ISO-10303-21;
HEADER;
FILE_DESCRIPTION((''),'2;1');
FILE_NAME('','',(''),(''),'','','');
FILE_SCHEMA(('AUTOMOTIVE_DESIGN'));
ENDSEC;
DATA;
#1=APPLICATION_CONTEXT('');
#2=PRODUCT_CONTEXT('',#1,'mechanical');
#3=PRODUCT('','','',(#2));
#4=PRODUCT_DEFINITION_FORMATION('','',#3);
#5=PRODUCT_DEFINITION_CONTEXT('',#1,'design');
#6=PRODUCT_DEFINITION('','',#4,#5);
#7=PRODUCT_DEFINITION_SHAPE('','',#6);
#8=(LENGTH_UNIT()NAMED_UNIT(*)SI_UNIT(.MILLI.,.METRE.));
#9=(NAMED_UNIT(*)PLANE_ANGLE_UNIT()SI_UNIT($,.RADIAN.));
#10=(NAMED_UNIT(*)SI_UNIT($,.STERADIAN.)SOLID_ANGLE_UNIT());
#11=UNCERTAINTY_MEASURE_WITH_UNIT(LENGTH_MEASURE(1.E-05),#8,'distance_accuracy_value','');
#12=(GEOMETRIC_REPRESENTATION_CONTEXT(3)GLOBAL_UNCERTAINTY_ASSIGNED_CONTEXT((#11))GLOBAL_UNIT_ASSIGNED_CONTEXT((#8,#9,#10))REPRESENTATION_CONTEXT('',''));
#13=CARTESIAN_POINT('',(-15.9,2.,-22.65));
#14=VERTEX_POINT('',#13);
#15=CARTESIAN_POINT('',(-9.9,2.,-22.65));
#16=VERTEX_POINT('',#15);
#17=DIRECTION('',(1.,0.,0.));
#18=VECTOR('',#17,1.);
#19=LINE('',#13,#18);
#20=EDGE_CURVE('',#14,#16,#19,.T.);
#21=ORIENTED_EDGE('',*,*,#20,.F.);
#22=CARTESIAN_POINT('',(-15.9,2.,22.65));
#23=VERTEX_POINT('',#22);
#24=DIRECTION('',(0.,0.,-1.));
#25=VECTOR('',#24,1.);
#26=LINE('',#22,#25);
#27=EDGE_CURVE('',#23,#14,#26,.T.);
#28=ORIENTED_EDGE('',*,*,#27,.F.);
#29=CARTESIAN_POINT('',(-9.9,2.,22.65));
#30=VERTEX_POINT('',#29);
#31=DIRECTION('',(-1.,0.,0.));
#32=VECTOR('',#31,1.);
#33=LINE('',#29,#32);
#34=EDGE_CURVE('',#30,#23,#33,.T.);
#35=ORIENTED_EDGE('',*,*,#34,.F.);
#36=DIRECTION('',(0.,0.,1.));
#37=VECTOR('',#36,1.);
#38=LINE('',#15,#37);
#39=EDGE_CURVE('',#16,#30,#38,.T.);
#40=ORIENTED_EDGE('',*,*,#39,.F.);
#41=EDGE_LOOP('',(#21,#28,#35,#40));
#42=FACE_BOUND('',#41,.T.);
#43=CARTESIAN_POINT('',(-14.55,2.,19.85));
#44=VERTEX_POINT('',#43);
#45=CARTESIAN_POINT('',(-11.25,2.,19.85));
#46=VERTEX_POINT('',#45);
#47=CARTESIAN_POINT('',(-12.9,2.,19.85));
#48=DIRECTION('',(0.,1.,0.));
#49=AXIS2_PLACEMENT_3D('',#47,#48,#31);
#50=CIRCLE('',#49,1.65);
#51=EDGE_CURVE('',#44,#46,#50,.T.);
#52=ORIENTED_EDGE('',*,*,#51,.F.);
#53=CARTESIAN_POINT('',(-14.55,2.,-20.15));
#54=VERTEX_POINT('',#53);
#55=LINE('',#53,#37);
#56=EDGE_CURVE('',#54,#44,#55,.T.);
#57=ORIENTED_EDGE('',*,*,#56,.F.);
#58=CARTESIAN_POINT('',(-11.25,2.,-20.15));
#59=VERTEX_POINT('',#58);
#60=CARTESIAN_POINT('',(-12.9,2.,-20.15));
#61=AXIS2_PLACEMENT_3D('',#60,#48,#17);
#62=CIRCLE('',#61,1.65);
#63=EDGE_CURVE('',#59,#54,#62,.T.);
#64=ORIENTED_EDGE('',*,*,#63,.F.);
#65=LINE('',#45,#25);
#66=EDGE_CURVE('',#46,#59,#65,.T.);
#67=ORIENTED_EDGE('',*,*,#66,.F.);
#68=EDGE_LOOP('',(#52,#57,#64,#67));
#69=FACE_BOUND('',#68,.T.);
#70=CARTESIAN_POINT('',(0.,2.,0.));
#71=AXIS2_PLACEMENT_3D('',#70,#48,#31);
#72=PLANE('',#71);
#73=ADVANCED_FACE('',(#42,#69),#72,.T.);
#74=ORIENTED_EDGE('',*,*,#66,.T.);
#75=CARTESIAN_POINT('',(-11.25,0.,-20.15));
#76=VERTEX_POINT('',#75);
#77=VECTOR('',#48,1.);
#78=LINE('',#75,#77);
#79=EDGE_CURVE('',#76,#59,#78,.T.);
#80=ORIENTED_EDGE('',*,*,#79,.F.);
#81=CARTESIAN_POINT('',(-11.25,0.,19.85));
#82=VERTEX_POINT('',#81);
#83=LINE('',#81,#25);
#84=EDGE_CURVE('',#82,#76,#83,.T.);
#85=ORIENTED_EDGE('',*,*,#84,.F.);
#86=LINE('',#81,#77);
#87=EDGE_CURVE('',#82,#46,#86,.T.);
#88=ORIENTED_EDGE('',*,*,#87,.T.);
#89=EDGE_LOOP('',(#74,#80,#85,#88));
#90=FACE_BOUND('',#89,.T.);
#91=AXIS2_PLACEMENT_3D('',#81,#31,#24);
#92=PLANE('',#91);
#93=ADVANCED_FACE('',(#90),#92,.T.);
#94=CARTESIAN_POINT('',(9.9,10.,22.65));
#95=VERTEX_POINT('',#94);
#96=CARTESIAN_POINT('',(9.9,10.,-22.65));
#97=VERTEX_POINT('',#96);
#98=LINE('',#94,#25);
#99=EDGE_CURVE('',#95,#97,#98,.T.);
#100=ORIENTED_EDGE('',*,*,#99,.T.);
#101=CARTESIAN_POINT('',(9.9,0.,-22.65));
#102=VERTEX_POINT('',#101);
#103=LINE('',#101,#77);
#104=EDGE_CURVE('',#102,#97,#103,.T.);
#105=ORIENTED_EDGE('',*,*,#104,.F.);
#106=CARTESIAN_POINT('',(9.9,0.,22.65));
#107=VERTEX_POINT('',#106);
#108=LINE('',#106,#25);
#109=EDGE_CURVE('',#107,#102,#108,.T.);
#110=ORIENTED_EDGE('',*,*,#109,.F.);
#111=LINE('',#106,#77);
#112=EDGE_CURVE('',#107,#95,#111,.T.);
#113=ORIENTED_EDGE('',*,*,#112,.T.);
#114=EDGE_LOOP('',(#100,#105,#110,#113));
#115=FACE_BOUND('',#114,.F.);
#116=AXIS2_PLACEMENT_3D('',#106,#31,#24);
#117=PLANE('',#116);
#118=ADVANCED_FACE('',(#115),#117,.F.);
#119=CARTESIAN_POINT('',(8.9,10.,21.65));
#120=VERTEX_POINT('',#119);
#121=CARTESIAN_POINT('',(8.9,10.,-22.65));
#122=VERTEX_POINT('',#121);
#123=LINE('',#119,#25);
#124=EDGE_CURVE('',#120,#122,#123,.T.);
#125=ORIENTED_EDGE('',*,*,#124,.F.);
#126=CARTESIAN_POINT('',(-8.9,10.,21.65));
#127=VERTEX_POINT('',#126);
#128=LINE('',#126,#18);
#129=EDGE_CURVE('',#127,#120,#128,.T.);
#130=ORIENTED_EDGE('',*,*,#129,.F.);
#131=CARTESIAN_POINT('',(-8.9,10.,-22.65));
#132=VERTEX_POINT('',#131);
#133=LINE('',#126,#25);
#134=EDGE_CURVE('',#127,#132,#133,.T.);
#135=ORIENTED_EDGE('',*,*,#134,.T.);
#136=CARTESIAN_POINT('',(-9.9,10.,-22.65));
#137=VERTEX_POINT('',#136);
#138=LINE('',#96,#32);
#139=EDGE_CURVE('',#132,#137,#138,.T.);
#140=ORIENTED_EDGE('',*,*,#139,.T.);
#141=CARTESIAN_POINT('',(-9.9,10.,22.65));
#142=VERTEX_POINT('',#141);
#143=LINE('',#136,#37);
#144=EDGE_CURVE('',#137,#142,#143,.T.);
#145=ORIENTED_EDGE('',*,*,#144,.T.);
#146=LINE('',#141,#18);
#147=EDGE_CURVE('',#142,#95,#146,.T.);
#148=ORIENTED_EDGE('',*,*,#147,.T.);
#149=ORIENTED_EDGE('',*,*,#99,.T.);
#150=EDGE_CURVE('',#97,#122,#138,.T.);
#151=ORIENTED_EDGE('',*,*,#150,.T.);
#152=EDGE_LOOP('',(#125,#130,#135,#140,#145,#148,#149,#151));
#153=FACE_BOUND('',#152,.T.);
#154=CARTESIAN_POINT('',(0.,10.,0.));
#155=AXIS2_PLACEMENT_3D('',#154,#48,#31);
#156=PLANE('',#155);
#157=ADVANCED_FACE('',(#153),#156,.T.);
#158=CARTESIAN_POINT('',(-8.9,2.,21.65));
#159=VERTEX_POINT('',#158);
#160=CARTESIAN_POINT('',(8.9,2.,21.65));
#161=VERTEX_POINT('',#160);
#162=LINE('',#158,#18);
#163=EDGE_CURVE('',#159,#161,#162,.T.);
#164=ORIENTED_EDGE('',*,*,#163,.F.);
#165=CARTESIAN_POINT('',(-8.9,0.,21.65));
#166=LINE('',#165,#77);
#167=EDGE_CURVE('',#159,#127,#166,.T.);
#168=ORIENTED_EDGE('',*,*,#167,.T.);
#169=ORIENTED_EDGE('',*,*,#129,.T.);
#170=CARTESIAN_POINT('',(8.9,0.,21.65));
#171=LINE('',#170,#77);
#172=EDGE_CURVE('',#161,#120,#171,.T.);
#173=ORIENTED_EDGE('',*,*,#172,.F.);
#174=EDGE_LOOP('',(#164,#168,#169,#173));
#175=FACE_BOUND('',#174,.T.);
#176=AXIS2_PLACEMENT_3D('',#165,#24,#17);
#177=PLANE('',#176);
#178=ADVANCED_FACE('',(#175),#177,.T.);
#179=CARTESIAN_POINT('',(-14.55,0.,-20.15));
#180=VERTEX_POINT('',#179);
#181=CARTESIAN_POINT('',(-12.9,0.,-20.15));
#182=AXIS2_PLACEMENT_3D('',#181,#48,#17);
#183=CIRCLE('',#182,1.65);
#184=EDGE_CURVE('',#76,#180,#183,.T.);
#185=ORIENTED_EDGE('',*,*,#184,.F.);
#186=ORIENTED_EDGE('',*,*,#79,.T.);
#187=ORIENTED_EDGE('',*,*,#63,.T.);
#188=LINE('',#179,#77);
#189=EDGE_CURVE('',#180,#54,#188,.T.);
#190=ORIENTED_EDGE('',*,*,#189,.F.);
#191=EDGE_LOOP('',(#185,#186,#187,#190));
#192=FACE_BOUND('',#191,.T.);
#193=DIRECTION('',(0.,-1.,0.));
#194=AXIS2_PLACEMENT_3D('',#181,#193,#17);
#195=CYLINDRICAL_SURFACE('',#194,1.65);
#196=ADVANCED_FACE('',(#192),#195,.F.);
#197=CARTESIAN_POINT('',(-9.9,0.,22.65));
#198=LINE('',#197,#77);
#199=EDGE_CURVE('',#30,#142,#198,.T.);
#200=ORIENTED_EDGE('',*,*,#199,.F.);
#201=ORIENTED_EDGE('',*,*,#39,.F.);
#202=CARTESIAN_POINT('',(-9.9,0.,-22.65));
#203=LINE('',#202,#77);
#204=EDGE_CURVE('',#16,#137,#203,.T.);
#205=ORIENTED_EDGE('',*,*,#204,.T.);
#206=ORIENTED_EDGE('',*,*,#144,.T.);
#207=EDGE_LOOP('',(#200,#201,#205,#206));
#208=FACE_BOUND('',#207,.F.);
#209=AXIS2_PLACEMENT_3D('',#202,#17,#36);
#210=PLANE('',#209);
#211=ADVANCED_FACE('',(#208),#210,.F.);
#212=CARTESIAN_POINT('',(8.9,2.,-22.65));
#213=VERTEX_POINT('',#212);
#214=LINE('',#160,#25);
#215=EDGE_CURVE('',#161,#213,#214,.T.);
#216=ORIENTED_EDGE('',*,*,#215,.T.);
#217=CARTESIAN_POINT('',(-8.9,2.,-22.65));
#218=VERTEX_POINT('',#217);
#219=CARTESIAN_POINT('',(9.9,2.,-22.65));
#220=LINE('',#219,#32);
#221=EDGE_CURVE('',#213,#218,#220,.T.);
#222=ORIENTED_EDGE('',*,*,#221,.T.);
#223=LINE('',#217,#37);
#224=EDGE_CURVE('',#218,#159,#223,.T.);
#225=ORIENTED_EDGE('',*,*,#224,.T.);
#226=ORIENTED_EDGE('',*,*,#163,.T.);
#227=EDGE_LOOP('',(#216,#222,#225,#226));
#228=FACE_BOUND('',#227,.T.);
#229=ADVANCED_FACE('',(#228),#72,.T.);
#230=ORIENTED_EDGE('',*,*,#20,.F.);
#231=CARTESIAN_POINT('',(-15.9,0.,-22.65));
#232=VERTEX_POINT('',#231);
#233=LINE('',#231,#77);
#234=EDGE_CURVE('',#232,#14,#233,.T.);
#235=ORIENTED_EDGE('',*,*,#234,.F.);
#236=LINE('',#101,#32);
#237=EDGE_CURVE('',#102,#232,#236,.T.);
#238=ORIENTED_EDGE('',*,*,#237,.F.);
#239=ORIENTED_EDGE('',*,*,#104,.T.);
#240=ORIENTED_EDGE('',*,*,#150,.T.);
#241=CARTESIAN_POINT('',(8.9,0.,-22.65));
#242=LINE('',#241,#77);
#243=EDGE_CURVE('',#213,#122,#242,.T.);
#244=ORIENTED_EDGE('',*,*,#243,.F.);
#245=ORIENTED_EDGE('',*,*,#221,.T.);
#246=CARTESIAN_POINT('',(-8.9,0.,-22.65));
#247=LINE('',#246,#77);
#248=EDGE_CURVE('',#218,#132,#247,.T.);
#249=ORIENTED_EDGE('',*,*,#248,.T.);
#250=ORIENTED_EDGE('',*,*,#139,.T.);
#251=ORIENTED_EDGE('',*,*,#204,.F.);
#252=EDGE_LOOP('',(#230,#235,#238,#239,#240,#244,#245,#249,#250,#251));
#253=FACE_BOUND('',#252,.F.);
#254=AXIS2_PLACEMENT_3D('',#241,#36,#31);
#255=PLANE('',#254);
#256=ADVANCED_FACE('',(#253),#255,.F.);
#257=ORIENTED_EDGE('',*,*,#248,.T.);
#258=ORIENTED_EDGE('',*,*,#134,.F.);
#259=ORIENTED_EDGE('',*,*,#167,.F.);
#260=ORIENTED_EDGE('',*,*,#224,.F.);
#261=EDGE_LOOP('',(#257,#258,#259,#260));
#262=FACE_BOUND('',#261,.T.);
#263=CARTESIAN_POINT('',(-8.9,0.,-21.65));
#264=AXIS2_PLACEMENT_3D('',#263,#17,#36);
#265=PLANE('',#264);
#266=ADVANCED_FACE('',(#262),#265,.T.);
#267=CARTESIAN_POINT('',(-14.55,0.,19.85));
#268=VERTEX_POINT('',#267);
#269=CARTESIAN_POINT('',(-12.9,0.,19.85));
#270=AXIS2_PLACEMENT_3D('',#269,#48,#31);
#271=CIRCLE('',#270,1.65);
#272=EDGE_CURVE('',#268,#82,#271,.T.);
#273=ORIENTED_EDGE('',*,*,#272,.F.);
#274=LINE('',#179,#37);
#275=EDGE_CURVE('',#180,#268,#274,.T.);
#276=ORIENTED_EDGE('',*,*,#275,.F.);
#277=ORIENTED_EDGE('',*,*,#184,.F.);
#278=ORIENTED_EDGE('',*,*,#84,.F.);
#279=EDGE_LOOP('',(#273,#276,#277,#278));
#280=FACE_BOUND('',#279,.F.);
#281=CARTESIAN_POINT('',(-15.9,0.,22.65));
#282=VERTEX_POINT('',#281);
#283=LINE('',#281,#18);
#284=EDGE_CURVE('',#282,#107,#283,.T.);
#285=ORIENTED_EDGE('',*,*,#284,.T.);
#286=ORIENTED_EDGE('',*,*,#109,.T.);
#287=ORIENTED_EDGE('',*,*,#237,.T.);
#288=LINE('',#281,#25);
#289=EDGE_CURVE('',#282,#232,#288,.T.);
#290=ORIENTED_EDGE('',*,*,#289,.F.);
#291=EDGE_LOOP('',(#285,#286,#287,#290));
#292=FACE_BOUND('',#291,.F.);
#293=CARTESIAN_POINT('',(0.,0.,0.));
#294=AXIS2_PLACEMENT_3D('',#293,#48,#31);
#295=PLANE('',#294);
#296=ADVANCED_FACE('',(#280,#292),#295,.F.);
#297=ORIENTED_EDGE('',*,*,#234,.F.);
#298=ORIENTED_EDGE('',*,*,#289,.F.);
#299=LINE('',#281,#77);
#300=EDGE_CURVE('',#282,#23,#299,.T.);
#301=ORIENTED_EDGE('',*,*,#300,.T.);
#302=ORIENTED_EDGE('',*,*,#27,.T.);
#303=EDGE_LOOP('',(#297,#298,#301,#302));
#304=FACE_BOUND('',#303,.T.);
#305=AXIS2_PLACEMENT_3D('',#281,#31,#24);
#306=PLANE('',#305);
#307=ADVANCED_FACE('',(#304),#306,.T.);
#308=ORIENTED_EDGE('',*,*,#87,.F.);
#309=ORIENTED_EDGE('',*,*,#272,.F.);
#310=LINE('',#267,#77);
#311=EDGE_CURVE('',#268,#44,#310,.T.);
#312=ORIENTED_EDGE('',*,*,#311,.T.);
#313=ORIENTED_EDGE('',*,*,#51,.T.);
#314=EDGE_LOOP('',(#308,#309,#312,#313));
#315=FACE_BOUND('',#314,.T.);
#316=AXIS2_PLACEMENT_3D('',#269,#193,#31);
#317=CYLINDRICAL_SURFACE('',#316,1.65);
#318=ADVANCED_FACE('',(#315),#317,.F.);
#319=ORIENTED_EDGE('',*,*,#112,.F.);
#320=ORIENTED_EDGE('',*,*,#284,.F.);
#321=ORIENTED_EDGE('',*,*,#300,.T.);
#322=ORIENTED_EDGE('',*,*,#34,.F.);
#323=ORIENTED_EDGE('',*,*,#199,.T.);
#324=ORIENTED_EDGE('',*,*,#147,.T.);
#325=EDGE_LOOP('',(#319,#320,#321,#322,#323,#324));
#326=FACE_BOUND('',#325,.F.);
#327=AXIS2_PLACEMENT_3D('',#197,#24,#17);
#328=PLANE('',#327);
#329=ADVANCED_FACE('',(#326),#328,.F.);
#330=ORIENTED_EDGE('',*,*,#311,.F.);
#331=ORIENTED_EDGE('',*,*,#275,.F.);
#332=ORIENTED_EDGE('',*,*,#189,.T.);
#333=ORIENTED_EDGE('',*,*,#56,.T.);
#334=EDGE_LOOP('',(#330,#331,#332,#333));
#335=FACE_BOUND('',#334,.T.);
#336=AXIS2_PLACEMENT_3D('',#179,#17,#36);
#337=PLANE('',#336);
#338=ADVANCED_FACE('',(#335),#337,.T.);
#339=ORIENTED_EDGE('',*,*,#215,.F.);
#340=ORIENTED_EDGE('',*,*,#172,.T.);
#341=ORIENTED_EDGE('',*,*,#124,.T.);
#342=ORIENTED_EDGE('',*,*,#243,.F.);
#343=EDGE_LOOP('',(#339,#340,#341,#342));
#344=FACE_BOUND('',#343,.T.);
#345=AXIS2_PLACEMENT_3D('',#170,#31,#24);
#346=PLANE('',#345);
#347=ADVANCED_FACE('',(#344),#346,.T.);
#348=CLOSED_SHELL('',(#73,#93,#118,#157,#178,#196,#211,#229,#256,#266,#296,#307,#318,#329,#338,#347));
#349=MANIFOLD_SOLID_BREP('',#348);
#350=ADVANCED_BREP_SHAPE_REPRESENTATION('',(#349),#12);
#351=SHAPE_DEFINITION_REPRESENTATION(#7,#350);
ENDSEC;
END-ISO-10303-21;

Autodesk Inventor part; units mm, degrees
ref_plane "YZ Plane" through (0, 0, 0) normal (1, 0, 0) x (0, 1, 0)
ref_plane "XZ Plane" through (0, 0, 0) normal (0, 1, 0) x (-1, 0, 0)
ref_plane "XY Plane" through (0, 0, 0) normal (0, 0, 1) x (1, 0, 0)
sketch "Sketch1" plane through (0, 0, 0) normal (0, 1, 0) x (-1, 0, 0)
  line L0 (8.9, 21.65) -> (-8.9, 21.65)
  line L1 (-8.9, 21.65) -> (-8.9, -21.65)
  line L2 (-8.9, -21.65) -> (8.9, -21.65)
  line L3 (8.9, -21.65) -> (8.9, 21.65)
  line L4 (8.9, 21.65) -> (-8.9, -21.65) construction
  line L5 (-8.9, 21.65) -> (8.9, -21.65) construction
  line L6 (9.9, 22.65) -> (-9.9, 22.65)
  line L7 (-9.9, 22.65) -> (-9.9, -22.65)
  line L8 (-9.9, -22.65) -> (9.9, -22.65)
  line L9 (9.9, -22.65) -> (9.9, 22.65)
  line L10 (9.9, 22.65) -> (-9.9, -22.65) construction
  line L11 (-9.9, 22.65) -> (9.9, -22.65) construction
  line L12 (9.9, 22.65) -> (15.9, 22.65)
  line L13 (15.9, 22.65) -> (15.9, -22.65)
  line L14 (15.9, -22.65) -> (9.9, -22.65)
  line L15 (9.9, -22.65) -> (9.9, 22.65)
  line L16 (8.9, -21.65) -> (8.9, -22.65)
  line L17 (-8.9, -21.65) -> (-8.9, -22.65)
  line L18 (12.9, 19.85) -> (12.9, -20.15) construction
  line L19 (11.25, 19.85) -> (11.25, -20.15)
  line L20 (14.55, -20.15) -> (14.55, 19.85)
  arc A0 (14.55, 19.85) -> (11.25, 19.85) centre (12.9, 19.85) ccw
  arc A1 (11.25, -20.15) -> (14.55, -20.15) centre (12.9, -20.15) ccw
  point P0 (0, 0)
  point P1 (12.9, -0.15)
  point P2 (12.9, -22.65)
  dimension "d0" = 17.8
  dimension "d1" = 43.3
  dimension "d2" = 19.8
  dimension "d3" = 45.3
  dimension "d4" = 6
  dimension "d5" = 3.3
  dimension "d6" = 40
  dimension "d7" = 2.5
extrude "Extrusion1" add sketch "Sketch1" along normal blind 2 contours L3 L2 L1 L0 | L16 L8 L17 L2 | L9 L12 L13 L14
extrude "Extrusion2" add sketch "Sketch1" along normal blind 10 contours L0 L1 L17 L8 L7 L6 L9 L16 L3
properties part number "Mounting Relay"
